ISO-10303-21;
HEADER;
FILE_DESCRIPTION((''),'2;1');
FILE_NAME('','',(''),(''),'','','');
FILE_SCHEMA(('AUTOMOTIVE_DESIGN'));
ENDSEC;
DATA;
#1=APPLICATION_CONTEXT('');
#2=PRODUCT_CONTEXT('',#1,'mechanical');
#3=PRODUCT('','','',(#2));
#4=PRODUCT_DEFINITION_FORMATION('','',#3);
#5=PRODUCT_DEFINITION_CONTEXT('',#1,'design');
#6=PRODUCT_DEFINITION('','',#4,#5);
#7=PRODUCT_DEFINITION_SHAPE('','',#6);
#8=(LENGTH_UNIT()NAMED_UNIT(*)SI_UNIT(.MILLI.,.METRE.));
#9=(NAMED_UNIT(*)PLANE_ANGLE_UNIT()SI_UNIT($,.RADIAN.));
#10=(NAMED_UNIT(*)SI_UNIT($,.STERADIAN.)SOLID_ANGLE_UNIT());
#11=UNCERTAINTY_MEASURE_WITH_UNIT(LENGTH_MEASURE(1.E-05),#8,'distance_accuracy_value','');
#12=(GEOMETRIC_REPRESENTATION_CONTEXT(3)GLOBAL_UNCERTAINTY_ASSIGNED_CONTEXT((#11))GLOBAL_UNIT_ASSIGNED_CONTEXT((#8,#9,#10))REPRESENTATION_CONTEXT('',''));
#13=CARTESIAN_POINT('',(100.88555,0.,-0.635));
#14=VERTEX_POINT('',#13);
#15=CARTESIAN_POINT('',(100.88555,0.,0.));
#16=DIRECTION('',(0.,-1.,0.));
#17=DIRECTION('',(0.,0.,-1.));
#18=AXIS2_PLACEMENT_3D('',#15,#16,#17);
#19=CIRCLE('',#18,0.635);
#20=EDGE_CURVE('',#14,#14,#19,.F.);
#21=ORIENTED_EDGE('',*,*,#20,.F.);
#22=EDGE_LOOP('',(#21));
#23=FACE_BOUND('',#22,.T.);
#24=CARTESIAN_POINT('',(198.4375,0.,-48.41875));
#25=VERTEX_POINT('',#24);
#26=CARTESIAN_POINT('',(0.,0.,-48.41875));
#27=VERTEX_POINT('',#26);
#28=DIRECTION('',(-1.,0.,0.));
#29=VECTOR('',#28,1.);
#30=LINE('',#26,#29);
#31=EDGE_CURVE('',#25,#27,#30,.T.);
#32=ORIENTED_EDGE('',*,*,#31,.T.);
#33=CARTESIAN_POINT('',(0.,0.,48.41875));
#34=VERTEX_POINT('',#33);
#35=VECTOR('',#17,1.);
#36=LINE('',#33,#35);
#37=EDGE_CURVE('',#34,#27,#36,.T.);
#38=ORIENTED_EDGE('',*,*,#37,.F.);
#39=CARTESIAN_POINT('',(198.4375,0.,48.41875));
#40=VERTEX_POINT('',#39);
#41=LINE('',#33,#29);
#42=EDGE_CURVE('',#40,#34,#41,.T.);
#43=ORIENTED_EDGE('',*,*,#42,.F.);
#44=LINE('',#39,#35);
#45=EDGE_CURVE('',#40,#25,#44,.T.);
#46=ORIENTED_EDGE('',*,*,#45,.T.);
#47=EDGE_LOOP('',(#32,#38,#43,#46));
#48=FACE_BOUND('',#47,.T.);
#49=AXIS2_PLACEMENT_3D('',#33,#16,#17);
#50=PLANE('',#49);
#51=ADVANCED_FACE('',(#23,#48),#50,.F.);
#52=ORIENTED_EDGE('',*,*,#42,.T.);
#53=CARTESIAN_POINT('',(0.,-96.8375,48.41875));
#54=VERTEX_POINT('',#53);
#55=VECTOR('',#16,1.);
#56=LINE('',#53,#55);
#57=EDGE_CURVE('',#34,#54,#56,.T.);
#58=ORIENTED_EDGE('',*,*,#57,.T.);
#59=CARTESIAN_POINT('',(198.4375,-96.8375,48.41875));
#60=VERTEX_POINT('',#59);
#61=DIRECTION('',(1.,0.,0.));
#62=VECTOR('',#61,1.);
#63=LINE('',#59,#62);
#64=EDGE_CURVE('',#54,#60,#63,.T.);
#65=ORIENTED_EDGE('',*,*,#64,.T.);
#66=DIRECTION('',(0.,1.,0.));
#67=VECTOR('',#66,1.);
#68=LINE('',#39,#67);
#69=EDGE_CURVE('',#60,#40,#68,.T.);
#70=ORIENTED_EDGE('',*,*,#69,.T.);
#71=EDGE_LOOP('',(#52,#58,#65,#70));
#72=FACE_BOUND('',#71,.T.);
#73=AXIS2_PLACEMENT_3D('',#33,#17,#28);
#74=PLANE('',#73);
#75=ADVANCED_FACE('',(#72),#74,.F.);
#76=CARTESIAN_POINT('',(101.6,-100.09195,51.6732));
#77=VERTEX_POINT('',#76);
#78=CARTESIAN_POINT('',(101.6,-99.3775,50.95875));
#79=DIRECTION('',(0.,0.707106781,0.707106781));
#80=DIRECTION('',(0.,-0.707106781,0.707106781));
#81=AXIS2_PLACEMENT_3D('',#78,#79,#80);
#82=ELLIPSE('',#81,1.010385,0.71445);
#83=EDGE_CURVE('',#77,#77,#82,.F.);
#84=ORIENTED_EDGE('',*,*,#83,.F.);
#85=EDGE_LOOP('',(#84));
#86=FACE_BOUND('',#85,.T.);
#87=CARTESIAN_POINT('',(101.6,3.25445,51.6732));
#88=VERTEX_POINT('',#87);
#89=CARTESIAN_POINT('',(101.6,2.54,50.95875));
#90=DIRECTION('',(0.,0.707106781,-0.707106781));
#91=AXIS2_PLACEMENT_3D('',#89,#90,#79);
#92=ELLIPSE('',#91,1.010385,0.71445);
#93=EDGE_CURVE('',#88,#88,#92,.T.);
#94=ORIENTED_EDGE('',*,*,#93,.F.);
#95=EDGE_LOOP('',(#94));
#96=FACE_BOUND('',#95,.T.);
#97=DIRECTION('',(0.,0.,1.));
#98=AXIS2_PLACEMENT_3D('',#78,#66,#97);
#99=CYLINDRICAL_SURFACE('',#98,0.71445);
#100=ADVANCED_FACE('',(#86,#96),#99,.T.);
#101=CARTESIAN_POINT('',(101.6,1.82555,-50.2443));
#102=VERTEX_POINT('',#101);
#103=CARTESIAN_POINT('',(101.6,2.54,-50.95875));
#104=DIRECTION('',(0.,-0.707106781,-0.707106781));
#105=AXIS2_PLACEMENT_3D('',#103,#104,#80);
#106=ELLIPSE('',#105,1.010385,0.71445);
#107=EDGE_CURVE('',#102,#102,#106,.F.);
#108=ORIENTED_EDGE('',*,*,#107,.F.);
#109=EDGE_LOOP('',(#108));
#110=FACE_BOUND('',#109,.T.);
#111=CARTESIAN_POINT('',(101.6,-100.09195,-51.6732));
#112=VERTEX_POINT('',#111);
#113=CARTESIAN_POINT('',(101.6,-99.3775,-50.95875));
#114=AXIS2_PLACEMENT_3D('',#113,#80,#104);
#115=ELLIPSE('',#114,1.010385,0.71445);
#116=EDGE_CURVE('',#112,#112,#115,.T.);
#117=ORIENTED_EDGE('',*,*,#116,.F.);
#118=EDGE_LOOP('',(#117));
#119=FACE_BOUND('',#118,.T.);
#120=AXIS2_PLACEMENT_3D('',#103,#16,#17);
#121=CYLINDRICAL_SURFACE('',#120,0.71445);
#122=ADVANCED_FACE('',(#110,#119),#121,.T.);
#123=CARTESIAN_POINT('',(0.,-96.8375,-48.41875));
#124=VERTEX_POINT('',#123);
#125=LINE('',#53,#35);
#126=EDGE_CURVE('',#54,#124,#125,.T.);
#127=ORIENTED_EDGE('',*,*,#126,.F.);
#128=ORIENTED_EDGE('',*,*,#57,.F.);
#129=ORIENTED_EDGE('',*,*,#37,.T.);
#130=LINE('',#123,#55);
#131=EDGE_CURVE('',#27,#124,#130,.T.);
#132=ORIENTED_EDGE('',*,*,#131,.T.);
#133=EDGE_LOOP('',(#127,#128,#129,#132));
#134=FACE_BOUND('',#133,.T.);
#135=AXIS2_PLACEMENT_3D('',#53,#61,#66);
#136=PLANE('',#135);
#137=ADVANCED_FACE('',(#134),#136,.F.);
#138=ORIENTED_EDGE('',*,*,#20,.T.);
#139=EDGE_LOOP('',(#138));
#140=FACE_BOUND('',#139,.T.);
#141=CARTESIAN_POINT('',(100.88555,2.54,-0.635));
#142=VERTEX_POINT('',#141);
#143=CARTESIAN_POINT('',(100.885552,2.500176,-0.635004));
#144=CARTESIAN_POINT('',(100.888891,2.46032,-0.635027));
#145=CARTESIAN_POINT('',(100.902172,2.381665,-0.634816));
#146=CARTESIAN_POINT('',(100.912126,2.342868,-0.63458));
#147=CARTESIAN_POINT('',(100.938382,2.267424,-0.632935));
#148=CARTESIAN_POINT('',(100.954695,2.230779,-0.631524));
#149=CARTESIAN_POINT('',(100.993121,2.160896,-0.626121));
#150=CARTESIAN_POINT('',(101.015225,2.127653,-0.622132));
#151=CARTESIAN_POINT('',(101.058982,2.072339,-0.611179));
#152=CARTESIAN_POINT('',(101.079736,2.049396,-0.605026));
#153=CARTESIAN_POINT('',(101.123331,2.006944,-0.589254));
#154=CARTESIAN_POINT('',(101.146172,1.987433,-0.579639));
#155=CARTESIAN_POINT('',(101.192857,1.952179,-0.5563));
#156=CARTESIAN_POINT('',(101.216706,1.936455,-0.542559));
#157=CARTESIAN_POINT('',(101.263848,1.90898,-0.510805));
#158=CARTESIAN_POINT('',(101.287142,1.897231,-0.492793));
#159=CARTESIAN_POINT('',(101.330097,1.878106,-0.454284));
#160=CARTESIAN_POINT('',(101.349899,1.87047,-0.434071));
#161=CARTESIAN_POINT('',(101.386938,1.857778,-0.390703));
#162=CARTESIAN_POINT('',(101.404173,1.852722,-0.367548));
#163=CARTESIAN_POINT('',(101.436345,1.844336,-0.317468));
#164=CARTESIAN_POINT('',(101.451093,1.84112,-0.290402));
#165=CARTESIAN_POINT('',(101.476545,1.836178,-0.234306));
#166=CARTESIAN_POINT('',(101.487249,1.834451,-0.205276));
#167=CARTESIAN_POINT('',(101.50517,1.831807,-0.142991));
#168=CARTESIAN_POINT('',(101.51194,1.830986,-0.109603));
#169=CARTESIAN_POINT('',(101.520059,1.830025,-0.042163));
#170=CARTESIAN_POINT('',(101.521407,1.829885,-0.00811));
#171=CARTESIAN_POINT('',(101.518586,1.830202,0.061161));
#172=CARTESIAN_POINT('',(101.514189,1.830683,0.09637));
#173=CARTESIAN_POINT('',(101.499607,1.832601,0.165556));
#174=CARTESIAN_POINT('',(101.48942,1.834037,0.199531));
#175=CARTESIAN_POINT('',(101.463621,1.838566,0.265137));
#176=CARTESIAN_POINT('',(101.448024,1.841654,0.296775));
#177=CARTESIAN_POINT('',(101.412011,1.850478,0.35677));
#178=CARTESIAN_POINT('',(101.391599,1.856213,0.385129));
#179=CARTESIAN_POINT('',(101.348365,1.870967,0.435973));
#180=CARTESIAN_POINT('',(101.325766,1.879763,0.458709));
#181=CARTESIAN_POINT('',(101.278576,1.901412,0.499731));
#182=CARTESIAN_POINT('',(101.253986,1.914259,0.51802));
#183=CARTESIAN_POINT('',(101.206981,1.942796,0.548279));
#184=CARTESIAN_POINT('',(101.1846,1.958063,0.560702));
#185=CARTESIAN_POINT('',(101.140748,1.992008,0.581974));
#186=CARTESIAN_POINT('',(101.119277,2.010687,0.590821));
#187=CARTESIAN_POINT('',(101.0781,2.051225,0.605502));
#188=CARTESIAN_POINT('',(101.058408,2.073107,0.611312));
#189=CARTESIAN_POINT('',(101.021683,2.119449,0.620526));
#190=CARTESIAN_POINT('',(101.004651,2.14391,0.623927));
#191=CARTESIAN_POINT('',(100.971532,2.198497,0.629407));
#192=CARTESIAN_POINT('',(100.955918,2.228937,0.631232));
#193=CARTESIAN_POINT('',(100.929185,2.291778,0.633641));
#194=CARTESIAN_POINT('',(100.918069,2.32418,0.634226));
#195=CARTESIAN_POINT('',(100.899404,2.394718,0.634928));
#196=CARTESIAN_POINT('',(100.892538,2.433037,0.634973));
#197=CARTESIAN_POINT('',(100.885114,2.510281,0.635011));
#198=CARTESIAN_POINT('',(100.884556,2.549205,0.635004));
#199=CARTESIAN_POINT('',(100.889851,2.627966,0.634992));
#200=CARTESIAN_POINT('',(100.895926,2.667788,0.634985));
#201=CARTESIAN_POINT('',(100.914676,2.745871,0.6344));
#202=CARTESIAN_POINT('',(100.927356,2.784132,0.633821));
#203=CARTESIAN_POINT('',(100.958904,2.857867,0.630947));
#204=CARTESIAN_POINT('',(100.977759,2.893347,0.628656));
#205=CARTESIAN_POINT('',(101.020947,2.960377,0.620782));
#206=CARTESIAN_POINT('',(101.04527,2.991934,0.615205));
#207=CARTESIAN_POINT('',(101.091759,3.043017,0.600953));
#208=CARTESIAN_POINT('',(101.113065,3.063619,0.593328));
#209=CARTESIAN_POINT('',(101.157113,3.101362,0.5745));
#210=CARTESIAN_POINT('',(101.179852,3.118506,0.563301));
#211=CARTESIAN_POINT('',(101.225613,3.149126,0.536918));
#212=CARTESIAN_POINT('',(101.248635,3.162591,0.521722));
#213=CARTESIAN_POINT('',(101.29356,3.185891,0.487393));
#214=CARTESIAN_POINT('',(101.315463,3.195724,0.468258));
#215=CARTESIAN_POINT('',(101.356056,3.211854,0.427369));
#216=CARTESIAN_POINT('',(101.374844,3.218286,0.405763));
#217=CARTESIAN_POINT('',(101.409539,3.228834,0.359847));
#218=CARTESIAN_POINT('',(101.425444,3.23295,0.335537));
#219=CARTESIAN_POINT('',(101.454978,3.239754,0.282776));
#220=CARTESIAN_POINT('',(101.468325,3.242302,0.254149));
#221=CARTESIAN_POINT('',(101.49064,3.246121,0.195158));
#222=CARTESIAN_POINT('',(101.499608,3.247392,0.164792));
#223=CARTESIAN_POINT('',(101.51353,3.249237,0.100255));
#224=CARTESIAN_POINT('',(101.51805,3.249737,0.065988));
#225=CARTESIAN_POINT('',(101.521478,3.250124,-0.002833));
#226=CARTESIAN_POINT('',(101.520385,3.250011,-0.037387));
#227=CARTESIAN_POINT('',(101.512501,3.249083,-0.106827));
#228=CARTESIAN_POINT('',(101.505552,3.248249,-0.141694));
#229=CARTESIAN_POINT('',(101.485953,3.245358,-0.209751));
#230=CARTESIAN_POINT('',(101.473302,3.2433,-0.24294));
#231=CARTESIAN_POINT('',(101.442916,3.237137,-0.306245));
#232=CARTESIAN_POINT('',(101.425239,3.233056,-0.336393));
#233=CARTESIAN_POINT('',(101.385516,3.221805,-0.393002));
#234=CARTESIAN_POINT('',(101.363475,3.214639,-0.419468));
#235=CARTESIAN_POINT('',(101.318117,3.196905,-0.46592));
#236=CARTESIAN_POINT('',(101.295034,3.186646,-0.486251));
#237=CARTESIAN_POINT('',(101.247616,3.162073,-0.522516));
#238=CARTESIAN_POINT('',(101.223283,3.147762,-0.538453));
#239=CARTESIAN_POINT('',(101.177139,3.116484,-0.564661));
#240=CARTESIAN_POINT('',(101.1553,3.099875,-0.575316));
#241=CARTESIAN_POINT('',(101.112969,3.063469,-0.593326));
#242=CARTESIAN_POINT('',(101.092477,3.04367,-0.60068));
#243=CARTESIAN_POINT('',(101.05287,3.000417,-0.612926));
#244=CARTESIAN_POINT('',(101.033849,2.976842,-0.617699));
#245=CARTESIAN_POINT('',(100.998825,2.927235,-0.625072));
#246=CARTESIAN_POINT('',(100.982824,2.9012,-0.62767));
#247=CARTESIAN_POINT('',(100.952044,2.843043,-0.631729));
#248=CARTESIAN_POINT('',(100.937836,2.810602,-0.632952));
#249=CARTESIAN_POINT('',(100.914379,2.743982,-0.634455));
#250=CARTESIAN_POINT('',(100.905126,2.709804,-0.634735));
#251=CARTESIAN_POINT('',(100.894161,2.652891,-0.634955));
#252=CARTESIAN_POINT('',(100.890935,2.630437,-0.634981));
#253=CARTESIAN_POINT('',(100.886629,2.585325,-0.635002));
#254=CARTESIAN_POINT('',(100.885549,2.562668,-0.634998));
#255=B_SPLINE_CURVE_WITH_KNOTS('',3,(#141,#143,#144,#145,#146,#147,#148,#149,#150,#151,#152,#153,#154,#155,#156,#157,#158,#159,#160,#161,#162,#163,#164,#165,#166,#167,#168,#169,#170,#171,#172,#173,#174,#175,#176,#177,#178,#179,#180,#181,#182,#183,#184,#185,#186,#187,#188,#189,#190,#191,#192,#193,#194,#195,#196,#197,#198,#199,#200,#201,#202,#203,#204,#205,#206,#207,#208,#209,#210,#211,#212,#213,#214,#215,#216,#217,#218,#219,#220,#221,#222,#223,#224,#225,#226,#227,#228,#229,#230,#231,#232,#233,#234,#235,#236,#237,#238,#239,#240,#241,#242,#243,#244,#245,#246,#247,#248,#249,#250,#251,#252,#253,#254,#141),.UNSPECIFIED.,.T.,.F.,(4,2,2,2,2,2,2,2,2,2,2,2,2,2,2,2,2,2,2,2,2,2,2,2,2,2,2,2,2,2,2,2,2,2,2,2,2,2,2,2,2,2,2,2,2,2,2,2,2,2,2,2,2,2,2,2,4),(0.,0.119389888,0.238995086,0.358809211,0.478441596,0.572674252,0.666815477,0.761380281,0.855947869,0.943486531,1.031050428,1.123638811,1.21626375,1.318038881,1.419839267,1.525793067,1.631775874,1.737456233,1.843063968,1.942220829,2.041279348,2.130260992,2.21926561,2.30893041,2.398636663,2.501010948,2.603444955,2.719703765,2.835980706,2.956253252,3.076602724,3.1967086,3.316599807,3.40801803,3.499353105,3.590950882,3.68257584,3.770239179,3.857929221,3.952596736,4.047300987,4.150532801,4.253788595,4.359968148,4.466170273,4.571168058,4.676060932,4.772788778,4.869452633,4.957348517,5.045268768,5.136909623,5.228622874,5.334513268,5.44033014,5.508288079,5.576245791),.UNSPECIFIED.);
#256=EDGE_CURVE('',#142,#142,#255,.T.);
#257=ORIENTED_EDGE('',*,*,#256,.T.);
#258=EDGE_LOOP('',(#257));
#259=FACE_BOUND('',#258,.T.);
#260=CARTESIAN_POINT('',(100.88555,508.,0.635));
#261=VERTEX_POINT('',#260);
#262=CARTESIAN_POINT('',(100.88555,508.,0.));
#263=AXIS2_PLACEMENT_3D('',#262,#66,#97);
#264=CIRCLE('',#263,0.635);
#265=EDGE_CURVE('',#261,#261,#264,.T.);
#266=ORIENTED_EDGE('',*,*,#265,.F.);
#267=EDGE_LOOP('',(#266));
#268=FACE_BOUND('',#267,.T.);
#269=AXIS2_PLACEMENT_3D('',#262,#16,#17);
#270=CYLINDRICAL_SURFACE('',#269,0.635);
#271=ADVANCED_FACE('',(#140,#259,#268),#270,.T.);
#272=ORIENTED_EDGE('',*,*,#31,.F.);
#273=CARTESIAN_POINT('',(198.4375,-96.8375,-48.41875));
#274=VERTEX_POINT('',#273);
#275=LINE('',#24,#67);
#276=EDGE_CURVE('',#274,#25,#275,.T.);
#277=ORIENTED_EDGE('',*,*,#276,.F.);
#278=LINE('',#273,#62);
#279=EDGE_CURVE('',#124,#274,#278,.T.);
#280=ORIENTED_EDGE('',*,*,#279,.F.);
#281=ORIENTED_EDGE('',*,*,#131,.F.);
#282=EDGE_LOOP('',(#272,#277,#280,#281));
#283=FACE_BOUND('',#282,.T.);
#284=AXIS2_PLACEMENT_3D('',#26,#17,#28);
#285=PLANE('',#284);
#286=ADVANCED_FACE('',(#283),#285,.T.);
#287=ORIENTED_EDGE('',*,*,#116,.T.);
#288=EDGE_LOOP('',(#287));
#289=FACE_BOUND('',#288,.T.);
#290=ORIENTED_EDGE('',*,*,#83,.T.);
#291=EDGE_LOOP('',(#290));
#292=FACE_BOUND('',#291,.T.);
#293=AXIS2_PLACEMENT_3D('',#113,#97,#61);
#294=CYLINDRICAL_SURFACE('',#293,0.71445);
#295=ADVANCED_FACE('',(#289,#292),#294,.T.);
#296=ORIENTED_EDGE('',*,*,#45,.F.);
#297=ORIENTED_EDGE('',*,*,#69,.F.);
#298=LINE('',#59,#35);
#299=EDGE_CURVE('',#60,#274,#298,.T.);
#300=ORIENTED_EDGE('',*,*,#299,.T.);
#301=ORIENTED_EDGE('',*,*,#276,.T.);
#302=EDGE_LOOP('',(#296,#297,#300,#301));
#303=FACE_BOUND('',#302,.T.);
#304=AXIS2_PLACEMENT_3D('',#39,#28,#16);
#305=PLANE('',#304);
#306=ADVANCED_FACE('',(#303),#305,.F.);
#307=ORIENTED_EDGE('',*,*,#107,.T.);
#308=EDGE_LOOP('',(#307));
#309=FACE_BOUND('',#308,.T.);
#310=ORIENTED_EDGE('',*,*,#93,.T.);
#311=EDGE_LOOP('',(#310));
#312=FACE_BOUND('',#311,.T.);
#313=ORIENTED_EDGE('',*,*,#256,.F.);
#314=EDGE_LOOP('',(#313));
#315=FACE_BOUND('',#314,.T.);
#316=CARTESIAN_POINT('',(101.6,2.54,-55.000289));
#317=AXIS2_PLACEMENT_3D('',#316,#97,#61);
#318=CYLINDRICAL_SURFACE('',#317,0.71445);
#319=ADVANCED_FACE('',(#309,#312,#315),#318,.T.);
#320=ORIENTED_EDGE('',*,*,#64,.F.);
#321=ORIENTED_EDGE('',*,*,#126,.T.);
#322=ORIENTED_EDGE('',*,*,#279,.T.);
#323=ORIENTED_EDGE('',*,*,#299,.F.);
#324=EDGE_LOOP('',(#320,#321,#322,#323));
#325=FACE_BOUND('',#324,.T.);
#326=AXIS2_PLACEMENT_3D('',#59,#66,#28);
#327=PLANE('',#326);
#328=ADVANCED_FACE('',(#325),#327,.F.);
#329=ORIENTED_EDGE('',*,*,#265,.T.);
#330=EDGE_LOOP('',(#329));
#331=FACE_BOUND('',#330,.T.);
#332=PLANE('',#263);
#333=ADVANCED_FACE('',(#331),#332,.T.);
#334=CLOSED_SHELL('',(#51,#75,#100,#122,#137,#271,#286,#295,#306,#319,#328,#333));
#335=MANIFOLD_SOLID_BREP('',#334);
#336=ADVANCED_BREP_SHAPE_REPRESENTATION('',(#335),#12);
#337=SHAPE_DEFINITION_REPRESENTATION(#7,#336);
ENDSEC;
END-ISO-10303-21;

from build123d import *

# Parameters (mm, degrees)
SKETCH1_W                = 198.4375
SKETCH1_H                = 96.8375
EXTRUDE1_DEPTH           = 48.41875
ESBO_O2_R                = 0.714449934
ESBO_O3_R                = 0.635
RESSALTO_EXTRUS_O1_DEPTH = 508


with BuildPart() as part:
    # Sketch1 → Extrude1 (new body, symmetric)
    with BuildSketch(Plane.XY):
        with Locations((99.21875, -48.41875)):
            Rectangle(SKETCH1_W, SKETCH1_H)
    extrude(amount=EXTRUDE1_DEPTH, both=True)



with BuildPart() as body_2:
    # Varredura1: sweep along a path in Esboço1
    with BuildLine(Plane(origin=(101.6, 0, 0), x_dir=(0, 0, -1), z_dir=(1, 0, 0))) as varredura1_path:
        Line((-50.95875, 2.54), (50.95875, 2.54))
        Line((50.95875, 2.54), (50.95875, -99.3775))
        Line((50.95875, -99.3775), (-50.95875, -99.3775))
        Line((-50.95875, -99.3775), (-50.95875, 2.54))
    # Esboço2 → Varredura1 (sweep)
    with BuildSketch(Plane.XY):
        with Locations((101.6, 2.54)):
            Circle(ESBO_O2_R)
    sweep(path=varredura1_path.line, transition=Transition.RIGHT)


with BuildPart() as part_1:
    add(part.part)

    add(body_2.part)  # Ressalto-extrusão1 merges body 2
    # Esboço3 → Ressalto-extrusão1 (add)
    with BuildSketch(Plane(origin=(0, 0, 0), x_dir=(1, 0, 0), z_dir=(0, 1, 0))):
        with Locations((100.885550066, 0)):
            Circle(ESBO_O3_R)
    extrude(amount=RESSALTO_EXTRUS_O1_DEPTH)


solid = part_1.part
